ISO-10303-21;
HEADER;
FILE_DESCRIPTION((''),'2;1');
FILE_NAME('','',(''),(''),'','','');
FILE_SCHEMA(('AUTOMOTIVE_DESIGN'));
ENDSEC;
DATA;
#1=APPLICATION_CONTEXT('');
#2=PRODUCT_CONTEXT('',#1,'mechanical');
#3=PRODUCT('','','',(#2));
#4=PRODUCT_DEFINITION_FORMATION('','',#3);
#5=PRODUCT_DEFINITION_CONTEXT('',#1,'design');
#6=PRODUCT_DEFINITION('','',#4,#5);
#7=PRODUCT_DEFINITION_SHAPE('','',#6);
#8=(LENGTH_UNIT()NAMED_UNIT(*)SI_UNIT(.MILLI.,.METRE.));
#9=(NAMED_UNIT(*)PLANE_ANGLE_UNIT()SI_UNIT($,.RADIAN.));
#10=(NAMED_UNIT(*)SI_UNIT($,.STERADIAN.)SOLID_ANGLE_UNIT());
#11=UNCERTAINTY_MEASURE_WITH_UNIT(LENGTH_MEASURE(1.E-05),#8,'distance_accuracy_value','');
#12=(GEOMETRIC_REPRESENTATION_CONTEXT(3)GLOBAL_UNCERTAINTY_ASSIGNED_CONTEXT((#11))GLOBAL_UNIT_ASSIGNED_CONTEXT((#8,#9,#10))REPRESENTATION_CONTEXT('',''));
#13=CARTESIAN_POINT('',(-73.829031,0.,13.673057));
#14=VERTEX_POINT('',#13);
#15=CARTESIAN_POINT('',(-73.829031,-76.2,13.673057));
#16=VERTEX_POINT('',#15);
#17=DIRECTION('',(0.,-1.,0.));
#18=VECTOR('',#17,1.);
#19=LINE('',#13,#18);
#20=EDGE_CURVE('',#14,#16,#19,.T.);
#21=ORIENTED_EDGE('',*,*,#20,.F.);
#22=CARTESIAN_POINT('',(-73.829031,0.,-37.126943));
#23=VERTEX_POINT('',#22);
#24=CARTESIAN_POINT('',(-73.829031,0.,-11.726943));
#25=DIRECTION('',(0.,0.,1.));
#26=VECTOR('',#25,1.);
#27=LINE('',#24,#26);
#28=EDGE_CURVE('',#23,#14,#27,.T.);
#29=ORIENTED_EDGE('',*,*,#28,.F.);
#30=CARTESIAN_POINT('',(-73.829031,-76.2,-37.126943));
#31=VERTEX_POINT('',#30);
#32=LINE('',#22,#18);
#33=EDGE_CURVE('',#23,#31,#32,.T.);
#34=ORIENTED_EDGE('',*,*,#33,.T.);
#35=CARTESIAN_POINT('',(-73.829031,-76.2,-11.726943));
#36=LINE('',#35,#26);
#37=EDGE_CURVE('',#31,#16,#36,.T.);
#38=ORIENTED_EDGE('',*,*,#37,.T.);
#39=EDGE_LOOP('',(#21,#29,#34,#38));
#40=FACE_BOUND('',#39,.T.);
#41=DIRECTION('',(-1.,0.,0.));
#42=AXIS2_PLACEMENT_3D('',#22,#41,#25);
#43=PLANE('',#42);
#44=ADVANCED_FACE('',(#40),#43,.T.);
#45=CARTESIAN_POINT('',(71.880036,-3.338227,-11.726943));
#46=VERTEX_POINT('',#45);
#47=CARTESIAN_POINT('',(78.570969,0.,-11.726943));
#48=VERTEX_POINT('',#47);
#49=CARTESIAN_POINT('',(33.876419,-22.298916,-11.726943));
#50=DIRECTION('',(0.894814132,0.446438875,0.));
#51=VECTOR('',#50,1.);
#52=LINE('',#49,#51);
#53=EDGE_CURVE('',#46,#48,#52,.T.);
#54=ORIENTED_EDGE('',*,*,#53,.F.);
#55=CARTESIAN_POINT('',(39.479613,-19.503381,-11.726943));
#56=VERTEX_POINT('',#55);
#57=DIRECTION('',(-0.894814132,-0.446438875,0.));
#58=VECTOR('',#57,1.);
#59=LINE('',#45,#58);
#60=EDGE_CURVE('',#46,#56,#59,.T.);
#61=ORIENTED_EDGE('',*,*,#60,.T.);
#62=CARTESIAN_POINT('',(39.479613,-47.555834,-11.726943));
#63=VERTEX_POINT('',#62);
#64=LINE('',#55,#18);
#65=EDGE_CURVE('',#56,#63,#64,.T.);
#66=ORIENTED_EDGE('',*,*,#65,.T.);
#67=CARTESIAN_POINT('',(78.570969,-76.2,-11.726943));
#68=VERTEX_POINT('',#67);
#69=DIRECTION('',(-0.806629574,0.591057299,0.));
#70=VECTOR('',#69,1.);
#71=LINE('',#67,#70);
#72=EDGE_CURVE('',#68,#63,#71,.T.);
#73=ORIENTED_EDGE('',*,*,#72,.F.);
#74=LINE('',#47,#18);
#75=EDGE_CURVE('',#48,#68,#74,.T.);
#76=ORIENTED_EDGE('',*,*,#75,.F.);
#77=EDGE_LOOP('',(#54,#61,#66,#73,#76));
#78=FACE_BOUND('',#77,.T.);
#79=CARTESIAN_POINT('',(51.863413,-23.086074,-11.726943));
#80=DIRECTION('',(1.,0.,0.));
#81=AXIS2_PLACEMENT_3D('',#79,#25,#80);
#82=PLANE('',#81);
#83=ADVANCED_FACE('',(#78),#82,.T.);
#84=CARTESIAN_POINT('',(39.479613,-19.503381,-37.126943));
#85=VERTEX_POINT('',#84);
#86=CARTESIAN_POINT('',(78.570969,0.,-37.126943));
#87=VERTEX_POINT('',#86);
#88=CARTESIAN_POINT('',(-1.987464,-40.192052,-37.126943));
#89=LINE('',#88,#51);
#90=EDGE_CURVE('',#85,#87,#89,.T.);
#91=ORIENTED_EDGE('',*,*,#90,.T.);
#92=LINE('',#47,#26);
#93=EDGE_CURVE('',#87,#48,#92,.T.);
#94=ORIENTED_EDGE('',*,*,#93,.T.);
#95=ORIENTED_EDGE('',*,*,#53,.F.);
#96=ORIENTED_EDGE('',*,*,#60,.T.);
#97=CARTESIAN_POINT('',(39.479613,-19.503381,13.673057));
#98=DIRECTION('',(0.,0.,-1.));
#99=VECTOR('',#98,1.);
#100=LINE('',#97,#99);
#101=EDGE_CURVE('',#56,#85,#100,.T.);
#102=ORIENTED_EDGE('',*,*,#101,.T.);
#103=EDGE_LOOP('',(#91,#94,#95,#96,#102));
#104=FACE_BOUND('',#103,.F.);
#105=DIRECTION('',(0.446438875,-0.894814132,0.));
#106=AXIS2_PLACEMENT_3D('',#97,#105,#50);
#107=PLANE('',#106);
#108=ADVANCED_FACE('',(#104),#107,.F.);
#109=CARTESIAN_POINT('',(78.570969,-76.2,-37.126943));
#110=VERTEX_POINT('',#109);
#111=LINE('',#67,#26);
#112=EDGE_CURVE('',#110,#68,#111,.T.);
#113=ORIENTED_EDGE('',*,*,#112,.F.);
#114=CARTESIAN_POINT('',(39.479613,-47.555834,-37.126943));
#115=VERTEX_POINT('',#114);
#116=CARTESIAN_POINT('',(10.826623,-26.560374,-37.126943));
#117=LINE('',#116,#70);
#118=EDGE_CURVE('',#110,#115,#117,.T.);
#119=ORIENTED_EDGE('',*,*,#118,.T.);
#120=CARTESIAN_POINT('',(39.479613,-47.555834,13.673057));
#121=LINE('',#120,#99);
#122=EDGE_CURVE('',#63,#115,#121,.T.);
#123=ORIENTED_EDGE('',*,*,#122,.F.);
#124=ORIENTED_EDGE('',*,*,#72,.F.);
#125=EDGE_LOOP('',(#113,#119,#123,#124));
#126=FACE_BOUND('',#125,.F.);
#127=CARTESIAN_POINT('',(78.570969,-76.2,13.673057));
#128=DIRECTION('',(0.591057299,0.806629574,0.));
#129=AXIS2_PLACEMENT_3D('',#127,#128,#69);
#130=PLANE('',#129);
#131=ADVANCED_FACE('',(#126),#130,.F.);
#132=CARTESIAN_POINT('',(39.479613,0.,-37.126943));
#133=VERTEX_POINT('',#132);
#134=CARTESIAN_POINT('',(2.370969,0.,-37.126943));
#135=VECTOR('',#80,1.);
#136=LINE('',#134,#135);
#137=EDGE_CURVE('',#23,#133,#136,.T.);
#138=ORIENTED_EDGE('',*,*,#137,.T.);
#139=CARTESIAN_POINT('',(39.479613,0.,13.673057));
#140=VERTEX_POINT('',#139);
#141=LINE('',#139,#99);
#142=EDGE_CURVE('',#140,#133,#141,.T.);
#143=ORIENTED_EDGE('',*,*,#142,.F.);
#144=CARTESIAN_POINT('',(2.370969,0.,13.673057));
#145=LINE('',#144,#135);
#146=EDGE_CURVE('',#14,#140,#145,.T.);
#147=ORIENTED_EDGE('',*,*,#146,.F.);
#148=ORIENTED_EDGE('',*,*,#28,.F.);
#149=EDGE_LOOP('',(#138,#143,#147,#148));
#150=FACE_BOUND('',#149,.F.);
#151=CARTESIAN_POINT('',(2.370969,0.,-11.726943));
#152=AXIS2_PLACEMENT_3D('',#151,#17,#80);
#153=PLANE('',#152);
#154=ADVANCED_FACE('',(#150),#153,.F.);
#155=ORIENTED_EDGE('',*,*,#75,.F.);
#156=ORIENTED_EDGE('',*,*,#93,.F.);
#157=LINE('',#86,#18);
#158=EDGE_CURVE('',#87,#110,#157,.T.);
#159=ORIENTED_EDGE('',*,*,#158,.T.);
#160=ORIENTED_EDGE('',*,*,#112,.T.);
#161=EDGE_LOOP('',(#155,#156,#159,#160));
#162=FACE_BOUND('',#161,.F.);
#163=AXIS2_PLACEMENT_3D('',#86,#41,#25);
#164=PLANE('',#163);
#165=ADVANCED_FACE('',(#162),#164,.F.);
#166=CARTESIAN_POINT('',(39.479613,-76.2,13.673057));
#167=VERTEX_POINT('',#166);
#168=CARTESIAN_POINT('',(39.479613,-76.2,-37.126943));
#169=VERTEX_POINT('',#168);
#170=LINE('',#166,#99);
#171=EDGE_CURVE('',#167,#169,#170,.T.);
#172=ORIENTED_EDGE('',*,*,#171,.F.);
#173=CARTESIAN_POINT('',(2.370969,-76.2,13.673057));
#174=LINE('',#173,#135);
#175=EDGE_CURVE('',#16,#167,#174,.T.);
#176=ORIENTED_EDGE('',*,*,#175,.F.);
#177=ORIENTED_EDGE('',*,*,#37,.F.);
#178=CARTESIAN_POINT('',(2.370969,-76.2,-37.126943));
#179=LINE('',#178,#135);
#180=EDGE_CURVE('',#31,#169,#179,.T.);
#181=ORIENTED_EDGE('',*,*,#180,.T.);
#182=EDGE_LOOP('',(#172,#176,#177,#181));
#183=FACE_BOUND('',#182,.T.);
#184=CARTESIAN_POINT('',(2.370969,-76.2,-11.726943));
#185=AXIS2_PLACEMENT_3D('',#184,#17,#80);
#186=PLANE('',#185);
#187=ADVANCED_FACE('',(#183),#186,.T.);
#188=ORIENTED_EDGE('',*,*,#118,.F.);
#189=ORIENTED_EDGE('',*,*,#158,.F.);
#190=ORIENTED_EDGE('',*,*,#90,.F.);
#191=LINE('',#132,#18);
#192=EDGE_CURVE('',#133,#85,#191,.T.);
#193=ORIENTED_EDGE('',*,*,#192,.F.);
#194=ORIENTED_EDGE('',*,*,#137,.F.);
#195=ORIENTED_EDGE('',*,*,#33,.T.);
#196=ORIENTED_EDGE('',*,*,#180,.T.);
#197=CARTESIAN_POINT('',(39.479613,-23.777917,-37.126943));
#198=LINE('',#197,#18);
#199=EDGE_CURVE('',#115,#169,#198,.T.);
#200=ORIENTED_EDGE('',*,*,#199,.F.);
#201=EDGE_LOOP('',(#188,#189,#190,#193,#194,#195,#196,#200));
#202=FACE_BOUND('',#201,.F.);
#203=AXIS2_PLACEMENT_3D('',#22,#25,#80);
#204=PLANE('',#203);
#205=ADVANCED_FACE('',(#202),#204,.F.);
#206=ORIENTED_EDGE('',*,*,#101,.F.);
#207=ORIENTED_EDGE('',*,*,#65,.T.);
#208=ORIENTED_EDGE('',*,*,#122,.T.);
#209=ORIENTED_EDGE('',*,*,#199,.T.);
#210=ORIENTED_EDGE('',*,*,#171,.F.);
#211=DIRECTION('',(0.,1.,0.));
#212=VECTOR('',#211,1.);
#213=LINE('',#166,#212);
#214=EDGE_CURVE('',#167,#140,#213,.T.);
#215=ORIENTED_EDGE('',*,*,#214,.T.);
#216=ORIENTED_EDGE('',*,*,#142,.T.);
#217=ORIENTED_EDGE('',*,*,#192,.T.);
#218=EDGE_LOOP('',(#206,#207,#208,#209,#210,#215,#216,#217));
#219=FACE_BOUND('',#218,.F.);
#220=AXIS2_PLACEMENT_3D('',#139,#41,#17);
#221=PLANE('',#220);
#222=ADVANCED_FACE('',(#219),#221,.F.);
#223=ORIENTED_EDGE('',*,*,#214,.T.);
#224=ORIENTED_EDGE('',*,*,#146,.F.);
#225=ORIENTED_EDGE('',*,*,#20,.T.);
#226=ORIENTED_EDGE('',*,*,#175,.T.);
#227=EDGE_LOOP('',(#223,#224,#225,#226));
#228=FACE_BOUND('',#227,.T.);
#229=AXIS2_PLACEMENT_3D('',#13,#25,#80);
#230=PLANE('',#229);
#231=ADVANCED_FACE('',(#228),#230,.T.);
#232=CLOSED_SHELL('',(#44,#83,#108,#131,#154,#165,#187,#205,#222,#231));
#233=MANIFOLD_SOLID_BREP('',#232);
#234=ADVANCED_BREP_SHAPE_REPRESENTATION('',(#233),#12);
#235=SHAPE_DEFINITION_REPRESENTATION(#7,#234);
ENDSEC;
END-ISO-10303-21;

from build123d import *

# Parameters (mm, degrees)
F0_W     = 152.4
F0_H     = 50.8
F1_DEPTH = 76.2
F3_DEPTH = 50.801
F4_W     = 48.462587264
F4_H     = 25.4
F5_DEPTH = 61.4661735057
F8_DEPTH = 25.4


with BuildPart() as f1:
    # F0 (on Front) → F1 (new body)
    with BuildSketch(Plane.XZ):
        with Locations((2.3709694028, -11.726943469)):
            Rectangle(F0_W, F0_H)
    extrude(amount=F1_DEPTH)

    # F2 (on face) → F3 (cut, through all)
    with BuildSketch(Plane.XY.offset(13.673056531)):
        Polygon((39.4796133041, -76.2), (78.5709694028, -76.2), (39.4796133041, -47.5558340549), align=None)
        Polygon((39.4796133041, 0), (39.4796133041, -19.5033811033), (78.5709694028, 0), align=None)
    extrude(amount=-F3_DEPTH, mode=Mode.SUBTRACT)

    # F4 (on face) → F5 (cut, through all)
    with BuildSketch(Plane(origin=(-8.8807709948, -12.1197936799, 0), x_dir=(0.8066295736, -0.5910572993, 0), z_dir=(-0.5910572993, -0.8066295736, 0))):
        with Locations((84.1849401183, 0.973056531)):
            Rectangle(F4_W, F4_H)
    extrude(amount=-F5_DEPTH, mode=Mode.SUBTRACT)

    # F7 (on face) → F8 (cut)
    with BuildSketch(Plane.XY.offset(13.673056531)):
        Polygon((39.4796133041, -19.5033811033), (39.4796133041, -47.5558340549), (71.8800364079, -3.338226891), align=None)
        Polygon((71.8800364079, -3.338226891), (39.4796133041, -47.5558340549), (60.0389204919, -83.1656008959), (93.497350812, -40.1085205376), align=None)
    extrude(amount=-F8_DEPTH, mode=Mode.SUBTRACT)


solid = f1.part
